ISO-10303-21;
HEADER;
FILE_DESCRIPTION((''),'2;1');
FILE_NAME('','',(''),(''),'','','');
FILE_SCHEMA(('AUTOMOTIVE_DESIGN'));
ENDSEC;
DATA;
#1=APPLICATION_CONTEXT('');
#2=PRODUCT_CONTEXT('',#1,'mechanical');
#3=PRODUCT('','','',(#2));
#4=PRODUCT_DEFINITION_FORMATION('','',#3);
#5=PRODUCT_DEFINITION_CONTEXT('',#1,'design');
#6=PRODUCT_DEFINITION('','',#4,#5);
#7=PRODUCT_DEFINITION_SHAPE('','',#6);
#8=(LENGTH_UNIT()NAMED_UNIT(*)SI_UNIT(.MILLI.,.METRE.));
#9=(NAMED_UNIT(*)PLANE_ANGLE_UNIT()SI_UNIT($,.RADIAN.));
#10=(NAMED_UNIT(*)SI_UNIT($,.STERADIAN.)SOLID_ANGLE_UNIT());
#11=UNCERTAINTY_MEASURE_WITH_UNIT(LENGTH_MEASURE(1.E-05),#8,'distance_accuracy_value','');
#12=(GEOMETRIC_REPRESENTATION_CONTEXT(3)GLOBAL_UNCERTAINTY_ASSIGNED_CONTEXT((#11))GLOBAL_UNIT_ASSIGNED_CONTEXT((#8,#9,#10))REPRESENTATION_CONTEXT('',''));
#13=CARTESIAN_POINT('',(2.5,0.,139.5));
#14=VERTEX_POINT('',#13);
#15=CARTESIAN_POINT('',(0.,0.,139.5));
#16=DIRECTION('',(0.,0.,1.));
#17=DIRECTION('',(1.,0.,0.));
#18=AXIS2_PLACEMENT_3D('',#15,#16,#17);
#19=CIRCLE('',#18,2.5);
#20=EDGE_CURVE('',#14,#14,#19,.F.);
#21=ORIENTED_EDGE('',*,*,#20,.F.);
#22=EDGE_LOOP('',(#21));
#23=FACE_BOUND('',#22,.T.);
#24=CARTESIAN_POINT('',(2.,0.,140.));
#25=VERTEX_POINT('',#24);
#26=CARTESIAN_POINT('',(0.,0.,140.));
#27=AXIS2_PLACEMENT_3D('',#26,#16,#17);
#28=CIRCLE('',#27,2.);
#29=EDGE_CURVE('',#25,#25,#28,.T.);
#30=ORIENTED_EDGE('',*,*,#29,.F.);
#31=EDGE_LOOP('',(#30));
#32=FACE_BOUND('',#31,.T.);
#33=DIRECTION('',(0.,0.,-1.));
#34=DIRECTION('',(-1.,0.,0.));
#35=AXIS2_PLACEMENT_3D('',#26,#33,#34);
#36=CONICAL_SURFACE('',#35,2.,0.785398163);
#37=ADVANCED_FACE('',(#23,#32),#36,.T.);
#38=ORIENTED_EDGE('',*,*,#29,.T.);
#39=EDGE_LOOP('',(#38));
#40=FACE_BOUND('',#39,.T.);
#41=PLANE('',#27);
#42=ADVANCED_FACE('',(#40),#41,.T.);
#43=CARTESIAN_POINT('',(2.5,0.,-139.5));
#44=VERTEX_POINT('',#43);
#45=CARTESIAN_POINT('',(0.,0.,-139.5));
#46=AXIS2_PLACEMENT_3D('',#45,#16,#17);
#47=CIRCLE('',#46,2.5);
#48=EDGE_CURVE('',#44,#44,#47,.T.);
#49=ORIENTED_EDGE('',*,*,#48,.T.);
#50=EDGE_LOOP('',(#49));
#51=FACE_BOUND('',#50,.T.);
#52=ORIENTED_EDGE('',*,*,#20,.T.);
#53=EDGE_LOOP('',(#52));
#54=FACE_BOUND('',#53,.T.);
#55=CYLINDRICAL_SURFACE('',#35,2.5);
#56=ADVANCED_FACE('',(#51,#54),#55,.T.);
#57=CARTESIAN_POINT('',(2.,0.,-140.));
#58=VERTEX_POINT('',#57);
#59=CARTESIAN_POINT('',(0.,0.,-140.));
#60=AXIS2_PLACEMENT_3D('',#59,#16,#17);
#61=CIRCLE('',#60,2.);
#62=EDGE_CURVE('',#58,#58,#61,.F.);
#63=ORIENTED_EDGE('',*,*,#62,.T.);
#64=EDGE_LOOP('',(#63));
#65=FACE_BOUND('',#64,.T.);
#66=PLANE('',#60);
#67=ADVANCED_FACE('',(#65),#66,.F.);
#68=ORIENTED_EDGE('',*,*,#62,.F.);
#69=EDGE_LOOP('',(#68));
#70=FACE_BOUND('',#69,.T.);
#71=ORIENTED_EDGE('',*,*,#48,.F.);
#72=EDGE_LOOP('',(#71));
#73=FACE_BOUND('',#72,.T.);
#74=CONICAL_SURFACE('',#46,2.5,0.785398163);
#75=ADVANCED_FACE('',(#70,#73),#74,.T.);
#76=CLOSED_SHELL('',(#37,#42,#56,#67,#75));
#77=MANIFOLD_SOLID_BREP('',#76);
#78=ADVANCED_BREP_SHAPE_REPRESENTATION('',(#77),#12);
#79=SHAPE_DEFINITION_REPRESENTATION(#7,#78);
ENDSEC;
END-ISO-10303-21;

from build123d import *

# Parameters (mm, degrees)
SKETCH_1_R      = 2.5
EXTRUDE_1_DEPTH = 140
CHAMFER_1_SIZE  = 0.5


with BuildPart() as part:
    # 草图1 → 凸台-拉伸1 (new, symmetric)
    with BuildSketch(Plane.XY):
        Circle(SKETCH_1_R)
    extrude(amount=EXTRUDE_1_DEPTH, both=True)

    # 倒角1
    chamfer_1_edges = [part.edges().sort_by_distance(p)[0] for p in [
        (-2.5, 0, -140),
        (-2.5, 0, 140),
    ]]
    chamfer(chamfer_1_edges, length=CHAMFER_1_SIZE)


solid = part.part
